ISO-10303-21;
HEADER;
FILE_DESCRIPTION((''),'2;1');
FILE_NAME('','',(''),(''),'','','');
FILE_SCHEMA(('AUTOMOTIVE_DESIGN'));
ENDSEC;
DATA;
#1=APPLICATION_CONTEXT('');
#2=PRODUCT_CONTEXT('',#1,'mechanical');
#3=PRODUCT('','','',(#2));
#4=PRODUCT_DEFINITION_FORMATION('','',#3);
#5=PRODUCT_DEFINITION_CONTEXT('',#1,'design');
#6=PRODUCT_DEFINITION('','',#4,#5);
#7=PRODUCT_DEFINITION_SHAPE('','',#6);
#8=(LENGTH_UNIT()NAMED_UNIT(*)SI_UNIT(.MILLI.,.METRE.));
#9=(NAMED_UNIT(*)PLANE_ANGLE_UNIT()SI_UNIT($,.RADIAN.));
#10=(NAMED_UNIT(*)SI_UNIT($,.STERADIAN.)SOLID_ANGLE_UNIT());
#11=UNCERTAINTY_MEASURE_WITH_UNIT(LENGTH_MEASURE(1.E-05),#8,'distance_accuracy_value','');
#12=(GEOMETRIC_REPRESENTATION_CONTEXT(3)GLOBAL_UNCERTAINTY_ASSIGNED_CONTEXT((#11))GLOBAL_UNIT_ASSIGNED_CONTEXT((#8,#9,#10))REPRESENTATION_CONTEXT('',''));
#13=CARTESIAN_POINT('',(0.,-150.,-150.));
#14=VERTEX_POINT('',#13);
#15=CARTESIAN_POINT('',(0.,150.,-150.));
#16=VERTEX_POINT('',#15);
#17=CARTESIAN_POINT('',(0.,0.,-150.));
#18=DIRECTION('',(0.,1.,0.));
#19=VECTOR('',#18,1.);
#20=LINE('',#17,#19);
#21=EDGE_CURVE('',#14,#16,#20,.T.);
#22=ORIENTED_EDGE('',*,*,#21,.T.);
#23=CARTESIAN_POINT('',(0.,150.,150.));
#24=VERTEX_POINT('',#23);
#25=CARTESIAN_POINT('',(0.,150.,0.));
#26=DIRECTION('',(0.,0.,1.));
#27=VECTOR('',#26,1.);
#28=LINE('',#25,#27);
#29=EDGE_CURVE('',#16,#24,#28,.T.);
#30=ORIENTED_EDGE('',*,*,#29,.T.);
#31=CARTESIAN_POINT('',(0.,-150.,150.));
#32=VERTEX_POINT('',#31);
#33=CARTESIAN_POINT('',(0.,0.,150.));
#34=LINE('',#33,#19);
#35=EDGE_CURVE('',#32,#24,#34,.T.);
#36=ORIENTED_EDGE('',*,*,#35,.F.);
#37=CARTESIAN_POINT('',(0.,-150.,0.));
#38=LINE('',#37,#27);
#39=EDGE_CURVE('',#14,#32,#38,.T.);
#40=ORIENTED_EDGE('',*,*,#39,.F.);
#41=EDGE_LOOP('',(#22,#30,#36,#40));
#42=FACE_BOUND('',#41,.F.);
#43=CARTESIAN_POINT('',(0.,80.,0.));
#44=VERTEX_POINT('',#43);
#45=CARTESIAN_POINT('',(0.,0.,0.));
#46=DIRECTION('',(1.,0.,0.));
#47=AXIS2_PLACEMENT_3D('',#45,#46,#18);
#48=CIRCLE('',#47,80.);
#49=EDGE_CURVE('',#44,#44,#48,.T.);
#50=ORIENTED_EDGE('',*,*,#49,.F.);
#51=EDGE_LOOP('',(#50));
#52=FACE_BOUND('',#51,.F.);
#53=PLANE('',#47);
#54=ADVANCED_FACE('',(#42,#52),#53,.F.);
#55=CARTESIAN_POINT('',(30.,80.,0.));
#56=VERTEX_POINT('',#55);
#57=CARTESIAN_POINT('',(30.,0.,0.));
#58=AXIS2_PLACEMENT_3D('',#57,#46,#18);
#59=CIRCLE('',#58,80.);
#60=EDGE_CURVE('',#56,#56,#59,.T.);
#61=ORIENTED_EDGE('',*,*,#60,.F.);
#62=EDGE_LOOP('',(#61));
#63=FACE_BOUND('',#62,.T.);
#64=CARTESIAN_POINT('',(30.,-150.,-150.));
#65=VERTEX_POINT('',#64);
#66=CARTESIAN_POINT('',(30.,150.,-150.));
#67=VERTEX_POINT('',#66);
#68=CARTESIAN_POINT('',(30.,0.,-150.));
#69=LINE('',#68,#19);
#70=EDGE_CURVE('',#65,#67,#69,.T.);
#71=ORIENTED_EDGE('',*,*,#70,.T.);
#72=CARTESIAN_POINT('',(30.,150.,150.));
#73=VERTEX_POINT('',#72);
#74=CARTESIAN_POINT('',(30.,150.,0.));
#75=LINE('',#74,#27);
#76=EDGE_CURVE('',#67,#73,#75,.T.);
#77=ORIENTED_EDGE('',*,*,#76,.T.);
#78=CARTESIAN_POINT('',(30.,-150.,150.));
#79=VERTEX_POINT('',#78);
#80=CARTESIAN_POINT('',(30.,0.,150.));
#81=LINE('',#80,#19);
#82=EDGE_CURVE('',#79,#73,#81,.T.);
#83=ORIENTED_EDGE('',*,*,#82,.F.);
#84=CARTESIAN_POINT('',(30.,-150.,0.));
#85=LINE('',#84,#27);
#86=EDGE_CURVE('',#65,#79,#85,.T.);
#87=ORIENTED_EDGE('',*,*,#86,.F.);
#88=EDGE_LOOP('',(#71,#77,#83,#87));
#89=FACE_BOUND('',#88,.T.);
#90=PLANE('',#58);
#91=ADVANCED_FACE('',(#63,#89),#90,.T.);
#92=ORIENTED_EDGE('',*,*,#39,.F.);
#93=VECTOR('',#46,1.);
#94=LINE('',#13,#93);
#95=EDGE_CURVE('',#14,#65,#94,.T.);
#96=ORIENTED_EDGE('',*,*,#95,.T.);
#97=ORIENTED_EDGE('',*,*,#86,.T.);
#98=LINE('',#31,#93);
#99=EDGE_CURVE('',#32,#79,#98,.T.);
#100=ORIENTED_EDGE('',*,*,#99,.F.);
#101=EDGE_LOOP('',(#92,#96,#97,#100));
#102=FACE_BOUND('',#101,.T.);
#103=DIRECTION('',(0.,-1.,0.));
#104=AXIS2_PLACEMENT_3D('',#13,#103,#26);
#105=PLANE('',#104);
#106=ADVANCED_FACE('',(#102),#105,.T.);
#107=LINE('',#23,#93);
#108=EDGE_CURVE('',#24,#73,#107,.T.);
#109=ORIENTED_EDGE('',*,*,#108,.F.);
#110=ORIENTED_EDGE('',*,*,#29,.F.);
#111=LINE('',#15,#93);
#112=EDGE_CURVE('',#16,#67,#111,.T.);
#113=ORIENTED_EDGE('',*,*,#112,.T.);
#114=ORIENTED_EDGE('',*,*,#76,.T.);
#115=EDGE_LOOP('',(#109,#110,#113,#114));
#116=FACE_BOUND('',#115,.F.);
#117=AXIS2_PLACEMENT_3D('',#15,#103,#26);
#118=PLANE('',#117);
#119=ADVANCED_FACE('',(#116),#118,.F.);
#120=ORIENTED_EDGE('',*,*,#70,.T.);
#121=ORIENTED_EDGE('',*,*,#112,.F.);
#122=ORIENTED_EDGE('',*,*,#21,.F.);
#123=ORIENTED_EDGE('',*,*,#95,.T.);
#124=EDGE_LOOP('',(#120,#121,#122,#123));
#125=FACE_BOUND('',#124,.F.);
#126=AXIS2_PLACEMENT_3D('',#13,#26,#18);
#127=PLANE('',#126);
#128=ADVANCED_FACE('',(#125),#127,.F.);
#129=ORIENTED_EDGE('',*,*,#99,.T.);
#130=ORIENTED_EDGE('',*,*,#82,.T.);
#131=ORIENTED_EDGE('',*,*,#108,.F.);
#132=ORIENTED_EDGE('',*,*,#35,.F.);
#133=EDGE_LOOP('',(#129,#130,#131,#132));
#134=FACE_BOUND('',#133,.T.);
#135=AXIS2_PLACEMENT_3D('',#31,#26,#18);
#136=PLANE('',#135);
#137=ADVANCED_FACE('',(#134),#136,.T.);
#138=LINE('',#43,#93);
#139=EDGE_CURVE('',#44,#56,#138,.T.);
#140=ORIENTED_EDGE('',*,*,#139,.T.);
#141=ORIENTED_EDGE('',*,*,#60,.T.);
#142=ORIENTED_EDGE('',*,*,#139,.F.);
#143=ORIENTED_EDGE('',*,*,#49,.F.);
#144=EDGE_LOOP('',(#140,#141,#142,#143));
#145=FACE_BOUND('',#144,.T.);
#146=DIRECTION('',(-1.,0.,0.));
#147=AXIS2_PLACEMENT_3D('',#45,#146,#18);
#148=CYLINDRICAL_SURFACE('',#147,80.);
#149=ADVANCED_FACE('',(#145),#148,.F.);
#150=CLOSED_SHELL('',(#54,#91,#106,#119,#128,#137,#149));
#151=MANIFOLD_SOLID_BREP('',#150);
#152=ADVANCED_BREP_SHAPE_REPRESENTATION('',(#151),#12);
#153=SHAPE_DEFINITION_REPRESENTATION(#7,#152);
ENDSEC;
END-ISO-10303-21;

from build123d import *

# Parameters (mm, degrees)
F0_W     = 300
F0_H     = 300
F0_R     = 80
F1_DEPTH = 30


with BuildPart() as f1:
    # F0 (on Right) → F1 (new body)
    with BuildSketch(Plane.YZ):
        Rectangle(F0_W, F0_H)
        Circle(F0_R, mode=Mode.SUBTRACT)
    extrude(amount=F1_DEPTH)


solid = f1.part
